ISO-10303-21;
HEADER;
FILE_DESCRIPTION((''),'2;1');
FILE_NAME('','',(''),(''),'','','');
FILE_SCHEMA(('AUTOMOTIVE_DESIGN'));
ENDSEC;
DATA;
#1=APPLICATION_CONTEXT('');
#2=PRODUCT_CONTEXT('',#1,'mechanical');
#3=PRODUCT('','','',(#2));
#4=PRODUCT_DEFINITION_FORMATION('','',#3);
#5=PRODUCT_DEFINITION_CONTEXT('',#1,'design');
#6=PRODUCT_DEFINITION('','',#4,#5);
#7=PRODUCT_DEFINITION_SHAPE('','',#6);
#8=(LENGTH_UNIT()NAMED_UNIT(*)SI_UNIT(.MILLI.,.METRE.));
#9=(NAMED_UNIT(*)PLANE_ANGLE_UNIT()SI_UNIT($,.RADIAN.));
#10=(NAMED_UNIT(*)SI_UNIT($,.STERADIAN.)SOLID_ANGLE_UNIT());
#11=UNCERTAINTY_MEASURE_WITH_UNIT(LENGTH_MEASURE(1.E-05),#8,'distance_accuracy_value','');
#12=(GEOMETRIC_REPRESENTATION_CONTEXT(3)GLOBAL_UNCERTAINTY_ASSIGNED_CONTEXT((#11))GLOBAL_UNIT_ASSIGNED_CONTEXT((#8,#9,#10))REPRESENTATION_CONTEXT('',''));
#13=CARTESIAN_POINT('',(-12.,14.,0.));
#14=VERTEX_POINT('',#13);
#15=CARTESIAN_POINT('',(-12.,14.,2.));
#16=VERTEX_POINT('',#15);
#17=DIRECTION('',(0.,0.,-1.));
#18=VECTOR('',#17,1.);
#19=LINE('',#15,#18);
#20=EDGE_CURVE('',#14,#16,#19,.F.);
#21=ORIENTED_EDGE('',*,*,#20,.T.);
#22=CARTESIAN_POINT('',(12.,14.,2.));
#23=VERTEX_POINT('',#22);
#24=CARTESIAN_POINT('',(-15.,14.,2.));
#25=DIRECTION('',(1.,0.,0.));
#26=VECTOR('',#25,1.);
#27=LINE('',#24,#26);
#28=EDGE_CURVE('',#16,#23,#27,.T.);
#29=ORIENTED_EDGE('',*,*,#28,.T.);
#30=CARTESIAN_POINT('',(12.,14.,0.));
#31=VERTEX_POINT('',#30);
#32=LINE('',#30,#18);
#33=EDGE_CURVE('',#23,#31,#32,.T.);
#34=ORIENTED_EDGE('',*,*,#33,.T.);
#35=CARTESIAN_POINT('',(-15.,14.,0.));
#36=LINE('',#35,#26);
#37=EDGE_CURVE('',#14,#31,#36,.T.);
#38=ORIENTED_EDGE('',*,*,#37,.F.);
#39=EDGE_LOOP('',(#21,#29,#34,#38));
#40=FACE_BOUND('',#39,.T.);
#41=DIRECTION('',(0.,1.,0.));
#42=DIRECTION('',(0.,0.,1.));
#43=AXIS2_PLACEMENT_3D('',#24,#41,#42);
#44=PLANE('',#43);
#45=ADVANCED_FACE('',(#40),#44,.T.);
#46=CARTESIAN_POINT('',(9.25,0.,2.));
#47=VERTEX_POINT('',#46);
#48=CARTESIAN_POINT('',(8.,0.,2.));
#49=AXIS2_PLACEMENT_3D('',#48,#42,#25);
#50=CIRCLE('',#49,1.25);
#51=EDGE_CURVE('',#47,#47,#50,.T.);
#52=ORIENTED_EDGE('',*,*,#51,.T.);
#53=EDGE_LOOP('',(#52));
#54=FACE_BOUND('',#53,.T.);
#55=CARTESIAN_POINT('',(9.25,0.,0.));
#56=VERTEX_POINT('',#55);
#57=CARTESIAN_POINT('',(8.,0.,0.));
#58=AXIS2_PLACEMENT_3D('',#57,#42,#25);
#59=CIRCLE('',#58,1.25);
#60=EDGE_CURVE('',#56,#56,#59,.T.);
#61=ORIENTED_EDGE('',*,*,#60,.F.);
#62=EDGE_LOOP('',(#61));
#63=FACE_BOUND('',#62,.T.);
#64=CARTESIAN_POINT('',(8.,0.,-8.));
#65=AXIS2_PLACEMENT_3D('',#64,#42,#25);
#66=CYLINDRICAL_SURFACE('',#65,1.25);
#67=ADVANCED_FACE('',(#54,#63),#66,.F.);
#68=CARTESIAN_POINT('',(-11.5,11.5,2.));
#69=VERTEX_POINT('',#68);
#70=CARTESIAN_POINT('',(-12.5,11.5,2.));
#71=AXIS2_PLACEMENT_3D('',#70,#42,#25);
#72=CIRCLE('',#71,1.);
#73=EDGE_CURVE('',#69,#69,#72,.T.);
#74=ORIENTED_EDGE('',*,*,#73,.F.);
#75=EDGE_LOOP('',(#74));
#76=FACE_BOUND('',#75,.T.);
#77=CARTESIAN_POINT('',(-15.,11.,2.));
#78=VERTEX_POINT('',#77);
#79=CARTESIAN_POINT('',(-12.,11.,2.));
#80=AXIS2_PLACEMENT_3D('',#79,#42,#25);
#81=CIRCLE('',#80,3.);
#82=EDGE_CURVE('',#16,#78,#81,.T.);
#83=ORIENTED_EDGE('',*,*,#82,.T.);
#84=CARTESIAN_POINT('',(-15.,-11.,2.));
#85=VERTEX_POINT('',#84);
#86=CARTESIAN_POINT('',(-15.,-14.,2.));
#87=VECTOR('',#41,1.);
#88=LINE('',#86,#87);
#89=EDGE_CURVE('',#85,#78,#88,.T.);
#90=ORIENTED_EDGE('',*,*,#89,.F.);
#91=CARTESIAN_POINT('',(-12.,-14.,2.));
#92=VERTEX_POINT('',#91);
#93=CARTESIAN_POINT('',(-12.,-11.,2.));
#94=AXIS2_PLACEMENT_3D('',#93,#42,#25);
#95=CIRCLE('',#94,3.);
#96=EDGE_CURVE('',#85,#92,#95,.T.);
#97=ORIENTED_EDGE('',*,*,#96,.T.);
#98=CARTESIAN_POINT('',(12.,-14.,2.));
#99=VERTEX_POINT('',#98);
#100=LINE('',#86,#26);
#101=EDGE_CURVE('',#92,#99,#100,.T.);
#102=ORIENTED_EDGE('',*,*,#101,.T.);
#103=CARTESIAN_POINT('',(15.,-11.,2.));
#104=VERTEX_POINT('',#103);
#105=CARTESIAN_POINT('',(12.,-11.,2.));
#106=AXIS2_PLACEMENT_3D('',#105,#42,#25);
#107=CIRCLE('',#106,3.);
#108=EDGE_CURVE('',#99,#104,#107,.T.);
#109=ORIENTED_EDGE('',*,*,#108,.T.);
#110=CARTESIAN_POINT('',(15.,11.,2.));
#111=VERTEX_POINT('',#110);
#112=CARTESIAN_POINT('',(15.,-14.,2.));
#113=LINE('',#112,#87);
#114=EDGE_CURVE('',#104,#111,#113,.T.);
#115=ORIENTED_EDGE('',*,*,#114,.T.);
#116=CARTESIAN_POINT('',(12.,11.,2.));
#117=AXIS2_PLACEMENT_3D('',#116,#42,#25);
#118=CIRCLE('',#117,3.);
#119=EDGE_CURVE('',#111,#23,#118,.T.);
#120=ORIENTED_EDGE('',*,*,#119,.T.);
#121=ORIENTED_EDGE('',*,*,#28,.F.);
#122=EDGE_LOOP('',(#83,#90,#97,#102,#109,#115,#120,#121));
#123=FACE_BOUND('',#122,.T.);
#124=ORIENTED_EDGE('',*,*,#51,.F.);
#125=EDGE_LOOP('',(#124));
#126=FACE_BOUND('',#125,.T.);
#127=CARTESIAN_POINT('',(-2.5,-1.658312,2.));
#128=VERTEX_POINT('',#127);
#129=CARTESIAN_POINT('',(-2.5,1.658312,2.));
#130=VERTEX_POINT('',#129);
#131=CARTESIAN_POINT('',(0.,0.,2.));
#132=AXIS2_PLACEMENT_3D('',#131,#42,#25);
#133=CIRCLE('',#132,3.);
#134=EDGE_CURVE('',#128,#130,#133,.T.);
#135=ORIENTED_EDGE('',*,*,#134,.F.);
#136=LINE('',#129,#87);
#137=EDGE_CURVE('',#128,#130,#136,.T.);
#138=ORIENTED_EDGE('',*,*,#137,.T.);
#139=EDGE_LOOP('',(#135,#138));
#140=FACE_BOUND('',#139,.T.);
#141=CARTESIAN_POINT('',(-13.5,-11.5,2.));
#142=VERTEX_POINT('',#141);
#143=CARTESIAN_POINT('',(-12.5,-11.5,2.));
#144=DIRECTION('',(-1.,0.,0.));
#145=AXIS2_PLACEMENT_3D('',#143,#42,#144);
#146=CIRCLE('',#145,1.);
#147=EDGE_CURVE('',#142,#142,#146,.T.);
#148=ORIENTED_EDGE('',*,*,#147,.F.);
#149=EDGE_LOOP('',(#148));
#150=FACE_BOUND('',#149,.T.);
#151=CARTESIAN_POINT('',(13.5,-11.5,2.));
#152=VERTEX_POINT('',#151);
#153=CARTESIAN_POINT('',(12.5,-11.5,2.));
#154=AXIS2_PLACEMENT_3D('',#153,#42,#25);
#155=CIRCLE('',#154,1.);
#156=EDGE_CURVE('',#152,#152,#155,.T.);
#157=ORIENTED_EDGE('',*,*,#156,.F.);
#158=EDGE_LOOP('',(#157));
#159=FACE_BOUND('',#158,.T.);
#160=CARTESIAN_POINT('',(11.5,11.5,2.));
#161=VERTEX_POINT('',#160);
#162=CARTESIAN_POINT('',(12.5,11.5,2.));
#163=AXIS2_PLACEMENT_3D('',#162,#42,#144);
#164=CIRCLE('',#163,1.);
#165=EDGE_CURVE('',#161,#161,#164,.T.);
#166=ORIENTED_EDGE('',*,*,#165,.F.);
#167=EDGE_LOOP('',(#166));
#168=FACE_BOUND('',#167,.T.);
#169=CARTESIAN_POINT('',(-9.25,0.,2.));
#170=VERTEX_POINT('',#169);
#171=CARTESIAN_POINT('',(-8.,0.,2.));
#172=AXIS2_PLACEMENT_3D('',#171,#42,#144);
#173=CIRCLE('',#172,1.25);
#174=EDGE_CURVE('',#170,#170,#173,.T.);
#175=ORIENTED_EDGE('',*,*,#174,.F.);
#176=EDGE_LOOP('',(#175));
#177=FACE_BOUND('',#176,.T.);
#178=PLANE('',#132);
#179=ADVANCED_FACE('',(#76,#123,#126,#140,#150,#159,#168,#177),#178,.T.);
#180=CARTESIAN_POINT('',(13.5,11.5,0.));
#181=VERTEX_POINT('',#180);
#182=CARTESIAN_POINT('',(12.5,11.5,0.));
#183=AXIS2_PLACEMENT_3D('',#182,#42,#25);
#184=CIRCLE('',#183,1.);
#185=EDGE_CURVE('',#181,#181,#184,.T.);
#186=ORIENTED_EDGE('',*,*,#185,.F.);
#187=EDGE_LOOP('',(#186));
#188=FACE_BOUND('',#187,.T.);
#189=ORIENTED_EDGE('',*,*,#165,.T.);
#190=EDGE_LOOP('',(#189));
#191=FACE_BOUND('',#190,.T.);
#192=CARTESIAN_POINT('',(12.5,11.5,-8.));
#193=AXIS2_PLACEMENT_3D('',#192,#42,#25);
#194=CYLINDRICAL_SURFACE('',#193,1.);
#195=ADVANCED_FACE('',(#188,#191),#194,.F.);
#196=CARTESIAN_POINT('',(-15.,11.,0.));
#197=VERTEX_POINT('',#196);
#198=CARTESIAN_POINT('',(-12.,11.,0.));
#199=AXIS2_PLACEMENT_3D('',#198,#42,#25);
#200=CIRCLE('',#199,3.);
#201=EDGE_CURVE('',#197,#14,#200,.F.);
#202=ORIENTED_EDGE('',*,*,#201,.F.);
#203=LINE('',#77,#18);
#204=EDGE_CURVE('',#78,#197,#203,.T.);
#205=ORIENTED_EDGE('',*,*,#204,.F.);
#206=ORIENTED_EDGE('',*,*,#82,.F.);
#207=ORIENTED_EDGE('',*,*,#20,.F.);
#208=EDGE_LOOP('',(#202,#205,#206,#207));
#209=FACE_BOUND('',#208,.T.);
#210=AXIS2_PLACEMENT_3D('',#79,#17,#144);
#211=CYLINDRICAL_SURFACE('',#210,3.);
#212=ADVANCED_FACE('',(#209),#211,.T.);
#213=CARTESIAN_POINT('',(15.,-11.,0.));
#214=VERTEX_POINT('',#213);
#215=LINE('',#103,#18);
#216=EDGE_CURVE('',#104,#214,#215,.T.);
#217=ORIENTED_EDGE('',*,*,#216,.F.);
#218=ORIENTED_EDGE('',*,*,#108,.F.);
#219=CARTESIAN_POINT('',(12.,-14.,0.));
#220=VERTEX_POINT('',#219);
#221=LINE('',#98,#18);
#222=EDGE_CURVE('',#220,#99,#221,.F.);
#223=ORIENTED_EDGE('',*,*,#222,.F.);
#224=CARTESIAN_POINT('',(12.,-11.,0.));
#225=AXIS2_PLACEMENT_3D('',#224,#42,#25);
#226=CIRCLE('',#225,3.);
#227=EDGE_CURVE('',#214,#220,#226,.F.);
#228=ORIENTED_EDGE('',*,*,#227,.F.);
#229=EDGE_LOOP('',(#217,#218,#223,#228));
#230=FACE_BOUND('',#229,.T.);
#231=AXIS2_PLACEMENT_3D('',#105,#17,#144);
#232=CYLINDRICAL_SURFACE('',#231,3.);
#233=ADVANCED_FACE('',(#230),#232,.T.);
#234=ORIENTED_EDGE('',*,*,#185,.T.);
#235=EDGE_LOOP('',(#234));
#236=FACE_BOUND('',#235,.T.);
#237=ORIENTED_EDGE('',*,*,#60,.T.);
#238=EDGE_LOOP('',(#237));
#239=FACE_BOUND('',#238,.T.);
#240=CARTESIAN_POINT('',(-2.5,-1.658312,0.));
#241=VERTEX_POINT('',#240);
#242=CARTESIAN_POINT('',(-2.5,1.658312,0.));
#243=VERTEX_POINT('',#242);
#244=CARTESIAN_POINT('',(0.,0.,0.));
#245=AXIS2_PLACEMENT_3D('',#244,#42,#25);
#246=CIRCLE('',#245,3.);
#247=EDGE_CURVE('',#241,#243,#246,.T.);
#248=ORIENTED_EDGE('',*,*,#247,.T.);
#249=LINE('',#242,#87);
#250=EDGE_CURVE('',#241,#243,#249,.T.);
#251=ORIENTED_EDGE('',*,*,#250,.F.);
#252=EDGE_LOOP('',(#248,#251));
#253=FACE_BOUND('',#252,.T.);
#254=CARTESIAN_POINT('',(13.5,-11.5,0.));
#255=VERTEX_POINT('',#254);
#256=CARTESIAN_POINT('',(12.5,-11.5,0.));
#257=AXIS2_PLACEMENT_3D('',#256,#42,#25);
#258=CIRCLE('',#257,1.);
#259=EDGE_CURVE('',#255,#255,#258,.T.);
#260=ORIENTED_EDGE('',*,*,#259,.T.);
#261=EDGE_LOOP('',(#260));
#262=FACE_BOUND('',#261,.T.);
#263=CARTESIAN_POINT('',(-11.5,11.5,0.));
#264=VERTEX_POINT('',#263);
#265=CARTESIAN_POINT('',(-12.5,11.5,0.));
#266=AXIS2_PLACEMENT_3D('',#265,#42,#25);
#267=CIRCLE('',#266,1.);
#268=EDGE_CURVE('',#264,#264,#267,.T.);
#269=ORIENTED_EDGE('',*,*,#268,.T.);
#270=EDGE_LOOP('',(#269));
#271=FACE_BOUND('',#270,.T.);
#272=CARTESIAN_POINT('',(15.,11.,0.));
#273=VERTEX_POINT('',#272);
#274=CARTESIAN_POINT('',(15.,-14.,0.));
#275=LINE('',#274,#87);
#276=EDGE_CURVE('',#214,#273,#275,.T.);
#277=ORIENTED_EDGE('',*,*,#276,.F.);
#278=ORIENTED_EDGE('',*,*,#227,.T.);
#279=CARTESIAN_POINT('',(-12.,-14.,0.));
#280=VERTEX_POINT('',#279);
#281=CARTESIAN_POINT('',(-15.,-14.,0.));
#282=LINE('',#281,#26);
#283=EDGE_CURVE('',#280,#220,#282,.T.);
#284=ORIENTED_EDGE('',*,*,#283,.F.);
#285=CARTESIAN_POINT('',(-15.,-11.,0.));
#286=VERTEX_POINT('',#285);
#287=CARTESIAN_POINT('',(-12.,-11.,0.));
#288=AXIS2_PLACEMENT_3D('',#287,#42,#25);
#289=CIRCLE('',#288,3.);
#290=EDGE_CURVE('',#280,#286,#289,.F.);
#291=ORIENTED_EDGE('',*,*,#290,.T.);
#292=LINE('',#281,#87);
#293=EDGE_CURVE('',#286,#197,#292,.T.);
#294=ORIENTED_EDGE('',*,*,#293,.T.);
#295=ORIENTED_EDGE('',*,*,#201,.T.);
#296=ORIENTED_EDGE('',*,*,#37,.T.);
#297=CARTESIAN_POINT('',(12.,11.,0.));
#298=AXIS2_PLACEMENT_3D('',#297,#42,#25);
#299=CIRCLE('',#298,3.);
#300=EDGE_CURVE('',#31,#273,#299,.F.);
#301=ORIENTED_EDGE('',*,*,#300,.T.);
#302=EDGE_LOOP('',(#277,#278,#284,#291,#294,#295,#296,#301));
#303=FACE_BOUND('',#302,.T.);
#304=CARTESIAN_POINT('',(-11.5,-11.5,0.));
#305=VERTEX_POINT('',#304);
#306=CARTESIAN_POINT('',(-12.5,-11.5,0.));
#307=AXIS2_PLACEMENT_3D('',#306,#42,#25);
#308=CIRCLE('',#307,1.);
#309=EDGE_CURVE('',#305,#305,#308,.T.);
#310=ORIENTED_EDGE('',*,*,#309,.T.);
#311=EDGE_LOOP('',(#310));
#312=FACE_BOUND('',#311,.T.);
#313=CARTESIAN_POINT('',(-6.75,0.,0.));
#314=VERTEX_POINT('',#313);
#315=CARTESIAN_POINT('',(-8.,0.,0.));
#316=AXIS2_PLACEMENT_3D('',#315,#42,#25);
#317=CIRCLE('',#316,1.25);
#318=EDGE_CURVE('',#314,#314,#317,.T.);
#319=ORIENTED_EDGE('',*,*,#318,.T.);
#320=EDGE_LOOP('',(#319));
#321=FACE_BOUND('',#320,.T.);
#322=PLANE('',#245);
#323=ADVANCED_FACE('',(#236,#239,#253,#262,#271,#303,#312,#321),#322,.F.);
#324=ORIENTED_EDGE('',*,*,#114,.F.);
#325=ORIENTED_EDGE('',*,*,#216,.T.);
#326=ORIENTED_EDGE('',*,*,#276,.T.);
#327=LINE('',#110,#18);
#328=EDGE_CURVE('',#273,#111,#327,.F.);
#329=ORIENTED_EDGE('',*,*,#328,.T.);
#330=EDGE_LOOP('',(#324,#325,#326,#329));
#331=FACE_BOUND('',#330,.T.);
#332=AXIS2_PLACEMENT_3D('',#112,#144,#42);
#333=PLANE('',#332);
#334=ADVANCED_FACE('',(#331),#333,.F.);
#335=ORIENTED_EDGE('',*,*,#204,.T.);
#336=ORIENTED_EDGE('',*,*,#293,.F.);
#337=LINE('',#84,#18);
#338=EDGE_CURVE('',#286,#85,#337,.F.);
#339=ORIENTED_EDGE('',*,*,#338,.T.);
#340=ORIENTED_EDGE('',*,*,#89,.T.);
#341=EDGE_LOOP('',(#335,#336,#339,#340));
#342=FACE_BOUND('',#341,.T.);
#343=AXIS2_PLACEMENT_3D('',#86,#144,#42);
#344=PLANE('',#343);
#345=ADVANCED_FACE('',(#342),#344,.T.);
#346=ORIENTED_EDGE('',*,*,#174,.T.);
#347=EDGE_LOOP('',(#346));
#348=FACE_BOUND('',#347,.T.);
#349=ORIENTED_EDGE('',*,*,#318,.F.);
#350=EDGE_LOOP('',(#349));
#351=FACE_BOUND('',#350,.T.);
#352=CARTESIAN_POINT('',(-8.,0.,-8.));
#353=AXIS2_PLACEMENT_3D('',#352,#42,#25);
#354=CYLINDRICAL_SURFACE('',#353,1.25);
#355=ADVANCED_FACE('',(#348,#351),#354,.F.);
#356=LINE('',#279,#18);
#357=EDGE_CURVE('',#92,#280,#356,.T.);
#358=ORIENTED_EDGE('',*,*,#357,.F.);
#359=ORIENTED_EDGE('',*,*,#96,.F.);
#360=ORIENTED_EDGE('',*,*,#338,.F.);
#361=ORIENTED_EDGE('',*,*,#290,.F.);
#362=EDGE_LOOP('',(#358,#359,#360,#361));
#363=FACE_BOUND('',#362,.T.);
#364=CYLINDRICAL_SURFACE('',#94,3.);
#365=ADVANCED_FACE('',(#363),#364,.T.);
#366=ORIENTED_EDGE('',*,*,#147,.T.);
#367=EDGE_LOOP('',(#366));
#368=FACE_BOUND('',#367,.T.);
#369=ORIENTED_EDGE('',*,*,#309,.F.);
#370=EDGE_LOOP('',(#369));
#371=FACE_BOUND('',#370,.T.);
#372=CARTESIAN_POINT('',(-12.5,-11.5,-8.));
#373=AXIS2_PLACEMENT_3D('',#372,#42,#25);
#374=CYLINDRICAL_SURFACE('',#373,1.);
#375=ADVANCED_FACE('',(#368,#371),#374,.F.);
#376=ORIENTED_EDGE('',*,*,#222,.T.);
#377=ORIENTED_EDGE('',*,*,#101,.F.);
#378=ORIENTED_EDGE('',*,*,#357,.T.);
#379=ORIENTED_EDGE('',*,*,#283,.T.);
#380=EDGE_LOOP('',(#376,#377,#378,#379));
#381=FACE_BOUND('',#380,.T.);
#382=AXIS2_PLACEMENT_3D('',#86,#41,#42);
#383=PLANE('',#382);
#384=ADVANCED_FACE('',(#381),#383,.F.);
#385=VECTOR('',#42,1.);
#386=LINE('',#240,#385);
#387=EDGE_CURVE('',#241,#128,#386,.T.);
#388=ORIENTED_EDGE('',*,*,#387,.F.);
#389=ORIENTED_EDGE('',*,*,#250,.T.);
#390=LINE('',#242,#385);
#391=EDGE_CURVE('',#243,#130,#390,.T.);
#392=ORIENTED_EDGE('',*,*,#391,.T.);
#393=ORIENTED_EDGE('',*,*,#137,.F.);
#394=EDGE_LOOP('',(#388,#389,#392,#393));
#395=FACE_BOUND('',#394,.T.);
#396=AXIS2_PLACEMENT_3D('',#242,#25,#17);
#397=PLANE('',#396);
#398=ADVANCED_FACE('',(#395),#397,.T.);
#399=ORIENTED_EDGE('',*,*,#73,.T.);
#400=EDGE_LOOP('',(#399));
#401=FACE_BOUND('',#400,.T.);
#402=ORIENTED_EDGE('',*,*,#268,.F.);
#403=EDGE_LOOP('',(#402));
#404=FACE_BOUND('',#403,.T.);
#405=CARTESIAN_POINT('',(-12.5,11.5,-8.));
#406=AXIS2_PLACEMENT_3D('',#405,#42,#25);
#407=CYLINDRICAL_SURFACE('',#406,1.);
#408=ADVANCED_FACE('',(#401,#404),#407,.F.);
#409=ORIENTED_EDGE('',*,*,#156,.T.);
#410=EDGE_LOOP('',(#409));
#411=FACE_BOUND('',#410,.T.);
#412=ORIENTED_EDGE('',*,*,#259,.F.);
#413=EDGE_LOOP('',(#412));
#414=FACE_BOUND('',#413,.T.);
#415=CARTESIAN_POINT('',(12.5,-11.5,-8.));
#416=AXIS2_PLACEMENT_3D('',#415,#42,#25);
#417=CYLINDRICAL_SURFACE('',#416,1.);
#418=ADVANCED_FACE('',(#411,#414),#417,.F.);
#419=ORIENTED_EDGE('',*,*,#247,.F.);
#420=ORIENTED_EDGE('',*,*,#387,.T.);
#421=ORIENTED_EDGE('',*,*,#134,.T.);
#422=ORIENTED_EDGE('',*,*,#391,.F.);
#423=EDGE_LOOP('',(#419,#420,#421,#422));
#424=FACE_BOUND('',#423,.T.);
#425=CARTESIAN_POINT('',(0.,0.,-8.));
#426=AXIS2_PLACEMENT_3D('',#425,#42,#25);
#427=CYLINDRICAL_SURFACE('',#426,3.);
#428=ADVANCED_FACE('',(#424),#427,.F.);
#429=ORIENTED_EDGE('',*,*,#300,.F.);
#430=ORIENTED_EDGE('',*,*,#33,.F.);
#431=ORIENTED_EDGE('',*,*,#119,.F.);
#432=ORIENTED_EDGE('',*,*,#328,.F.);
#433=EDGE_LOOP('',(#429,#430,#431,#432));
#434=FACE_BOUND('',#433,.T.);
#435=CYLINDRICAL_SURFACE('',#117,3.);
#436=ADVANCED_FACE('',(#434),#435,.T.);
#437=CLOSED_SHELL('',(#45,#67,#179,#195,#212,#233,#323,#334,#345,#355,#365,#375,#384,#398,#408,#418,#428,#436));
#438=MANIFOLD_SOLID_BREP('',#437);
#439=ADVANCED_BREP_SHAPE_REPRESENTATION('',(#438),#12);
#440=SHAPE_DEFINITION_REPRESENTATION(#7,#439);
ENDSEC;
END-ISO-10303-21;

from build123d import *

# Parameters (mm, degrees)
SKETCH_1_W          = 30
SKETCH_1_H          = 28
EXTRUDE_1_DEPTH     = 2
FILLET_1_R          = 3
SKETCH_2_R          = 1
SKETCH_2_R_2        = 1.25
CUT_EXTRUDE_1_DEPTH = 10
SKETCH_3_R          = 3
CUT_EXTRUDE_2_DEPTH = 10
EXTRUDE_2_DEPTH     = 2


with BuildPart() as part:
    # 草图1 → 凸台-拉伸1 (new body)
    with BuildSketch(Plane.XY):
        Rectangle(SKETCH_1_W, SKETCH_1_H)
    extrude(amount=EXTRUDE_1_DEPTH)

    # 圆角1
    fillet_1_edges = [part.edges().sort_by_distance(p)[0] for p in [
        (-15, -14, 1),
        (-15, 14, 1),
        (15, 14, 1),
        (15, -14, 1),
    ]]
    fillet(fillet_1_edges, radius=FILLET_1_R)

    # 草图2 → 切除-拉伸1 (cut)
    with BuildSketch(Plane.XY.offset(2)):
        with Locations((-12.5, 11.5)):
            Circle(SKETCH_2_R)
        with Locations((12.5, 11.5)):
            Circle(SKETCH_2_R)
        with Locations((-12.5, -11.5)):
            Circle(SKETCH_2_R)
        with Locations((12.5, -11.5)):
            Circle(SKETCH_2_R)
        with Locations((8, 0)):
            Circle(SKETCH_2_R_2)
        with Locations((-8, 0)):
            Circle(SKETCH_2_R_2)
    extrude(amount=-CUT_EXTRUDE_1_DEPTH, mode=Mode.SUBTRACT)

    # 草图3 → 切除-拉伸2 (cut)
    with BuildSketch(Plane.XY.offset(2)):
        Circle(SKETCH_3_R)
    extrude(amount=-CUT_EXTRUDE_2_DEPTH, mode=Mode.SUBTRACT)

    # 草图4 → 凸台-拉伸2 (add)
    with BuildSketch(Plane.XY.offset(2)):
        with BuildLine():
            Line((-2.5, 1.658312395), (-2.5, -1.658312395))
            ThreePointArc((-2.5, -1.658312395), (-3, 0), (-2.5, 1.658312395))
        make_face()
    extrude(amount=-EXTRUDE_2_DEPTH)


solid = part.part
